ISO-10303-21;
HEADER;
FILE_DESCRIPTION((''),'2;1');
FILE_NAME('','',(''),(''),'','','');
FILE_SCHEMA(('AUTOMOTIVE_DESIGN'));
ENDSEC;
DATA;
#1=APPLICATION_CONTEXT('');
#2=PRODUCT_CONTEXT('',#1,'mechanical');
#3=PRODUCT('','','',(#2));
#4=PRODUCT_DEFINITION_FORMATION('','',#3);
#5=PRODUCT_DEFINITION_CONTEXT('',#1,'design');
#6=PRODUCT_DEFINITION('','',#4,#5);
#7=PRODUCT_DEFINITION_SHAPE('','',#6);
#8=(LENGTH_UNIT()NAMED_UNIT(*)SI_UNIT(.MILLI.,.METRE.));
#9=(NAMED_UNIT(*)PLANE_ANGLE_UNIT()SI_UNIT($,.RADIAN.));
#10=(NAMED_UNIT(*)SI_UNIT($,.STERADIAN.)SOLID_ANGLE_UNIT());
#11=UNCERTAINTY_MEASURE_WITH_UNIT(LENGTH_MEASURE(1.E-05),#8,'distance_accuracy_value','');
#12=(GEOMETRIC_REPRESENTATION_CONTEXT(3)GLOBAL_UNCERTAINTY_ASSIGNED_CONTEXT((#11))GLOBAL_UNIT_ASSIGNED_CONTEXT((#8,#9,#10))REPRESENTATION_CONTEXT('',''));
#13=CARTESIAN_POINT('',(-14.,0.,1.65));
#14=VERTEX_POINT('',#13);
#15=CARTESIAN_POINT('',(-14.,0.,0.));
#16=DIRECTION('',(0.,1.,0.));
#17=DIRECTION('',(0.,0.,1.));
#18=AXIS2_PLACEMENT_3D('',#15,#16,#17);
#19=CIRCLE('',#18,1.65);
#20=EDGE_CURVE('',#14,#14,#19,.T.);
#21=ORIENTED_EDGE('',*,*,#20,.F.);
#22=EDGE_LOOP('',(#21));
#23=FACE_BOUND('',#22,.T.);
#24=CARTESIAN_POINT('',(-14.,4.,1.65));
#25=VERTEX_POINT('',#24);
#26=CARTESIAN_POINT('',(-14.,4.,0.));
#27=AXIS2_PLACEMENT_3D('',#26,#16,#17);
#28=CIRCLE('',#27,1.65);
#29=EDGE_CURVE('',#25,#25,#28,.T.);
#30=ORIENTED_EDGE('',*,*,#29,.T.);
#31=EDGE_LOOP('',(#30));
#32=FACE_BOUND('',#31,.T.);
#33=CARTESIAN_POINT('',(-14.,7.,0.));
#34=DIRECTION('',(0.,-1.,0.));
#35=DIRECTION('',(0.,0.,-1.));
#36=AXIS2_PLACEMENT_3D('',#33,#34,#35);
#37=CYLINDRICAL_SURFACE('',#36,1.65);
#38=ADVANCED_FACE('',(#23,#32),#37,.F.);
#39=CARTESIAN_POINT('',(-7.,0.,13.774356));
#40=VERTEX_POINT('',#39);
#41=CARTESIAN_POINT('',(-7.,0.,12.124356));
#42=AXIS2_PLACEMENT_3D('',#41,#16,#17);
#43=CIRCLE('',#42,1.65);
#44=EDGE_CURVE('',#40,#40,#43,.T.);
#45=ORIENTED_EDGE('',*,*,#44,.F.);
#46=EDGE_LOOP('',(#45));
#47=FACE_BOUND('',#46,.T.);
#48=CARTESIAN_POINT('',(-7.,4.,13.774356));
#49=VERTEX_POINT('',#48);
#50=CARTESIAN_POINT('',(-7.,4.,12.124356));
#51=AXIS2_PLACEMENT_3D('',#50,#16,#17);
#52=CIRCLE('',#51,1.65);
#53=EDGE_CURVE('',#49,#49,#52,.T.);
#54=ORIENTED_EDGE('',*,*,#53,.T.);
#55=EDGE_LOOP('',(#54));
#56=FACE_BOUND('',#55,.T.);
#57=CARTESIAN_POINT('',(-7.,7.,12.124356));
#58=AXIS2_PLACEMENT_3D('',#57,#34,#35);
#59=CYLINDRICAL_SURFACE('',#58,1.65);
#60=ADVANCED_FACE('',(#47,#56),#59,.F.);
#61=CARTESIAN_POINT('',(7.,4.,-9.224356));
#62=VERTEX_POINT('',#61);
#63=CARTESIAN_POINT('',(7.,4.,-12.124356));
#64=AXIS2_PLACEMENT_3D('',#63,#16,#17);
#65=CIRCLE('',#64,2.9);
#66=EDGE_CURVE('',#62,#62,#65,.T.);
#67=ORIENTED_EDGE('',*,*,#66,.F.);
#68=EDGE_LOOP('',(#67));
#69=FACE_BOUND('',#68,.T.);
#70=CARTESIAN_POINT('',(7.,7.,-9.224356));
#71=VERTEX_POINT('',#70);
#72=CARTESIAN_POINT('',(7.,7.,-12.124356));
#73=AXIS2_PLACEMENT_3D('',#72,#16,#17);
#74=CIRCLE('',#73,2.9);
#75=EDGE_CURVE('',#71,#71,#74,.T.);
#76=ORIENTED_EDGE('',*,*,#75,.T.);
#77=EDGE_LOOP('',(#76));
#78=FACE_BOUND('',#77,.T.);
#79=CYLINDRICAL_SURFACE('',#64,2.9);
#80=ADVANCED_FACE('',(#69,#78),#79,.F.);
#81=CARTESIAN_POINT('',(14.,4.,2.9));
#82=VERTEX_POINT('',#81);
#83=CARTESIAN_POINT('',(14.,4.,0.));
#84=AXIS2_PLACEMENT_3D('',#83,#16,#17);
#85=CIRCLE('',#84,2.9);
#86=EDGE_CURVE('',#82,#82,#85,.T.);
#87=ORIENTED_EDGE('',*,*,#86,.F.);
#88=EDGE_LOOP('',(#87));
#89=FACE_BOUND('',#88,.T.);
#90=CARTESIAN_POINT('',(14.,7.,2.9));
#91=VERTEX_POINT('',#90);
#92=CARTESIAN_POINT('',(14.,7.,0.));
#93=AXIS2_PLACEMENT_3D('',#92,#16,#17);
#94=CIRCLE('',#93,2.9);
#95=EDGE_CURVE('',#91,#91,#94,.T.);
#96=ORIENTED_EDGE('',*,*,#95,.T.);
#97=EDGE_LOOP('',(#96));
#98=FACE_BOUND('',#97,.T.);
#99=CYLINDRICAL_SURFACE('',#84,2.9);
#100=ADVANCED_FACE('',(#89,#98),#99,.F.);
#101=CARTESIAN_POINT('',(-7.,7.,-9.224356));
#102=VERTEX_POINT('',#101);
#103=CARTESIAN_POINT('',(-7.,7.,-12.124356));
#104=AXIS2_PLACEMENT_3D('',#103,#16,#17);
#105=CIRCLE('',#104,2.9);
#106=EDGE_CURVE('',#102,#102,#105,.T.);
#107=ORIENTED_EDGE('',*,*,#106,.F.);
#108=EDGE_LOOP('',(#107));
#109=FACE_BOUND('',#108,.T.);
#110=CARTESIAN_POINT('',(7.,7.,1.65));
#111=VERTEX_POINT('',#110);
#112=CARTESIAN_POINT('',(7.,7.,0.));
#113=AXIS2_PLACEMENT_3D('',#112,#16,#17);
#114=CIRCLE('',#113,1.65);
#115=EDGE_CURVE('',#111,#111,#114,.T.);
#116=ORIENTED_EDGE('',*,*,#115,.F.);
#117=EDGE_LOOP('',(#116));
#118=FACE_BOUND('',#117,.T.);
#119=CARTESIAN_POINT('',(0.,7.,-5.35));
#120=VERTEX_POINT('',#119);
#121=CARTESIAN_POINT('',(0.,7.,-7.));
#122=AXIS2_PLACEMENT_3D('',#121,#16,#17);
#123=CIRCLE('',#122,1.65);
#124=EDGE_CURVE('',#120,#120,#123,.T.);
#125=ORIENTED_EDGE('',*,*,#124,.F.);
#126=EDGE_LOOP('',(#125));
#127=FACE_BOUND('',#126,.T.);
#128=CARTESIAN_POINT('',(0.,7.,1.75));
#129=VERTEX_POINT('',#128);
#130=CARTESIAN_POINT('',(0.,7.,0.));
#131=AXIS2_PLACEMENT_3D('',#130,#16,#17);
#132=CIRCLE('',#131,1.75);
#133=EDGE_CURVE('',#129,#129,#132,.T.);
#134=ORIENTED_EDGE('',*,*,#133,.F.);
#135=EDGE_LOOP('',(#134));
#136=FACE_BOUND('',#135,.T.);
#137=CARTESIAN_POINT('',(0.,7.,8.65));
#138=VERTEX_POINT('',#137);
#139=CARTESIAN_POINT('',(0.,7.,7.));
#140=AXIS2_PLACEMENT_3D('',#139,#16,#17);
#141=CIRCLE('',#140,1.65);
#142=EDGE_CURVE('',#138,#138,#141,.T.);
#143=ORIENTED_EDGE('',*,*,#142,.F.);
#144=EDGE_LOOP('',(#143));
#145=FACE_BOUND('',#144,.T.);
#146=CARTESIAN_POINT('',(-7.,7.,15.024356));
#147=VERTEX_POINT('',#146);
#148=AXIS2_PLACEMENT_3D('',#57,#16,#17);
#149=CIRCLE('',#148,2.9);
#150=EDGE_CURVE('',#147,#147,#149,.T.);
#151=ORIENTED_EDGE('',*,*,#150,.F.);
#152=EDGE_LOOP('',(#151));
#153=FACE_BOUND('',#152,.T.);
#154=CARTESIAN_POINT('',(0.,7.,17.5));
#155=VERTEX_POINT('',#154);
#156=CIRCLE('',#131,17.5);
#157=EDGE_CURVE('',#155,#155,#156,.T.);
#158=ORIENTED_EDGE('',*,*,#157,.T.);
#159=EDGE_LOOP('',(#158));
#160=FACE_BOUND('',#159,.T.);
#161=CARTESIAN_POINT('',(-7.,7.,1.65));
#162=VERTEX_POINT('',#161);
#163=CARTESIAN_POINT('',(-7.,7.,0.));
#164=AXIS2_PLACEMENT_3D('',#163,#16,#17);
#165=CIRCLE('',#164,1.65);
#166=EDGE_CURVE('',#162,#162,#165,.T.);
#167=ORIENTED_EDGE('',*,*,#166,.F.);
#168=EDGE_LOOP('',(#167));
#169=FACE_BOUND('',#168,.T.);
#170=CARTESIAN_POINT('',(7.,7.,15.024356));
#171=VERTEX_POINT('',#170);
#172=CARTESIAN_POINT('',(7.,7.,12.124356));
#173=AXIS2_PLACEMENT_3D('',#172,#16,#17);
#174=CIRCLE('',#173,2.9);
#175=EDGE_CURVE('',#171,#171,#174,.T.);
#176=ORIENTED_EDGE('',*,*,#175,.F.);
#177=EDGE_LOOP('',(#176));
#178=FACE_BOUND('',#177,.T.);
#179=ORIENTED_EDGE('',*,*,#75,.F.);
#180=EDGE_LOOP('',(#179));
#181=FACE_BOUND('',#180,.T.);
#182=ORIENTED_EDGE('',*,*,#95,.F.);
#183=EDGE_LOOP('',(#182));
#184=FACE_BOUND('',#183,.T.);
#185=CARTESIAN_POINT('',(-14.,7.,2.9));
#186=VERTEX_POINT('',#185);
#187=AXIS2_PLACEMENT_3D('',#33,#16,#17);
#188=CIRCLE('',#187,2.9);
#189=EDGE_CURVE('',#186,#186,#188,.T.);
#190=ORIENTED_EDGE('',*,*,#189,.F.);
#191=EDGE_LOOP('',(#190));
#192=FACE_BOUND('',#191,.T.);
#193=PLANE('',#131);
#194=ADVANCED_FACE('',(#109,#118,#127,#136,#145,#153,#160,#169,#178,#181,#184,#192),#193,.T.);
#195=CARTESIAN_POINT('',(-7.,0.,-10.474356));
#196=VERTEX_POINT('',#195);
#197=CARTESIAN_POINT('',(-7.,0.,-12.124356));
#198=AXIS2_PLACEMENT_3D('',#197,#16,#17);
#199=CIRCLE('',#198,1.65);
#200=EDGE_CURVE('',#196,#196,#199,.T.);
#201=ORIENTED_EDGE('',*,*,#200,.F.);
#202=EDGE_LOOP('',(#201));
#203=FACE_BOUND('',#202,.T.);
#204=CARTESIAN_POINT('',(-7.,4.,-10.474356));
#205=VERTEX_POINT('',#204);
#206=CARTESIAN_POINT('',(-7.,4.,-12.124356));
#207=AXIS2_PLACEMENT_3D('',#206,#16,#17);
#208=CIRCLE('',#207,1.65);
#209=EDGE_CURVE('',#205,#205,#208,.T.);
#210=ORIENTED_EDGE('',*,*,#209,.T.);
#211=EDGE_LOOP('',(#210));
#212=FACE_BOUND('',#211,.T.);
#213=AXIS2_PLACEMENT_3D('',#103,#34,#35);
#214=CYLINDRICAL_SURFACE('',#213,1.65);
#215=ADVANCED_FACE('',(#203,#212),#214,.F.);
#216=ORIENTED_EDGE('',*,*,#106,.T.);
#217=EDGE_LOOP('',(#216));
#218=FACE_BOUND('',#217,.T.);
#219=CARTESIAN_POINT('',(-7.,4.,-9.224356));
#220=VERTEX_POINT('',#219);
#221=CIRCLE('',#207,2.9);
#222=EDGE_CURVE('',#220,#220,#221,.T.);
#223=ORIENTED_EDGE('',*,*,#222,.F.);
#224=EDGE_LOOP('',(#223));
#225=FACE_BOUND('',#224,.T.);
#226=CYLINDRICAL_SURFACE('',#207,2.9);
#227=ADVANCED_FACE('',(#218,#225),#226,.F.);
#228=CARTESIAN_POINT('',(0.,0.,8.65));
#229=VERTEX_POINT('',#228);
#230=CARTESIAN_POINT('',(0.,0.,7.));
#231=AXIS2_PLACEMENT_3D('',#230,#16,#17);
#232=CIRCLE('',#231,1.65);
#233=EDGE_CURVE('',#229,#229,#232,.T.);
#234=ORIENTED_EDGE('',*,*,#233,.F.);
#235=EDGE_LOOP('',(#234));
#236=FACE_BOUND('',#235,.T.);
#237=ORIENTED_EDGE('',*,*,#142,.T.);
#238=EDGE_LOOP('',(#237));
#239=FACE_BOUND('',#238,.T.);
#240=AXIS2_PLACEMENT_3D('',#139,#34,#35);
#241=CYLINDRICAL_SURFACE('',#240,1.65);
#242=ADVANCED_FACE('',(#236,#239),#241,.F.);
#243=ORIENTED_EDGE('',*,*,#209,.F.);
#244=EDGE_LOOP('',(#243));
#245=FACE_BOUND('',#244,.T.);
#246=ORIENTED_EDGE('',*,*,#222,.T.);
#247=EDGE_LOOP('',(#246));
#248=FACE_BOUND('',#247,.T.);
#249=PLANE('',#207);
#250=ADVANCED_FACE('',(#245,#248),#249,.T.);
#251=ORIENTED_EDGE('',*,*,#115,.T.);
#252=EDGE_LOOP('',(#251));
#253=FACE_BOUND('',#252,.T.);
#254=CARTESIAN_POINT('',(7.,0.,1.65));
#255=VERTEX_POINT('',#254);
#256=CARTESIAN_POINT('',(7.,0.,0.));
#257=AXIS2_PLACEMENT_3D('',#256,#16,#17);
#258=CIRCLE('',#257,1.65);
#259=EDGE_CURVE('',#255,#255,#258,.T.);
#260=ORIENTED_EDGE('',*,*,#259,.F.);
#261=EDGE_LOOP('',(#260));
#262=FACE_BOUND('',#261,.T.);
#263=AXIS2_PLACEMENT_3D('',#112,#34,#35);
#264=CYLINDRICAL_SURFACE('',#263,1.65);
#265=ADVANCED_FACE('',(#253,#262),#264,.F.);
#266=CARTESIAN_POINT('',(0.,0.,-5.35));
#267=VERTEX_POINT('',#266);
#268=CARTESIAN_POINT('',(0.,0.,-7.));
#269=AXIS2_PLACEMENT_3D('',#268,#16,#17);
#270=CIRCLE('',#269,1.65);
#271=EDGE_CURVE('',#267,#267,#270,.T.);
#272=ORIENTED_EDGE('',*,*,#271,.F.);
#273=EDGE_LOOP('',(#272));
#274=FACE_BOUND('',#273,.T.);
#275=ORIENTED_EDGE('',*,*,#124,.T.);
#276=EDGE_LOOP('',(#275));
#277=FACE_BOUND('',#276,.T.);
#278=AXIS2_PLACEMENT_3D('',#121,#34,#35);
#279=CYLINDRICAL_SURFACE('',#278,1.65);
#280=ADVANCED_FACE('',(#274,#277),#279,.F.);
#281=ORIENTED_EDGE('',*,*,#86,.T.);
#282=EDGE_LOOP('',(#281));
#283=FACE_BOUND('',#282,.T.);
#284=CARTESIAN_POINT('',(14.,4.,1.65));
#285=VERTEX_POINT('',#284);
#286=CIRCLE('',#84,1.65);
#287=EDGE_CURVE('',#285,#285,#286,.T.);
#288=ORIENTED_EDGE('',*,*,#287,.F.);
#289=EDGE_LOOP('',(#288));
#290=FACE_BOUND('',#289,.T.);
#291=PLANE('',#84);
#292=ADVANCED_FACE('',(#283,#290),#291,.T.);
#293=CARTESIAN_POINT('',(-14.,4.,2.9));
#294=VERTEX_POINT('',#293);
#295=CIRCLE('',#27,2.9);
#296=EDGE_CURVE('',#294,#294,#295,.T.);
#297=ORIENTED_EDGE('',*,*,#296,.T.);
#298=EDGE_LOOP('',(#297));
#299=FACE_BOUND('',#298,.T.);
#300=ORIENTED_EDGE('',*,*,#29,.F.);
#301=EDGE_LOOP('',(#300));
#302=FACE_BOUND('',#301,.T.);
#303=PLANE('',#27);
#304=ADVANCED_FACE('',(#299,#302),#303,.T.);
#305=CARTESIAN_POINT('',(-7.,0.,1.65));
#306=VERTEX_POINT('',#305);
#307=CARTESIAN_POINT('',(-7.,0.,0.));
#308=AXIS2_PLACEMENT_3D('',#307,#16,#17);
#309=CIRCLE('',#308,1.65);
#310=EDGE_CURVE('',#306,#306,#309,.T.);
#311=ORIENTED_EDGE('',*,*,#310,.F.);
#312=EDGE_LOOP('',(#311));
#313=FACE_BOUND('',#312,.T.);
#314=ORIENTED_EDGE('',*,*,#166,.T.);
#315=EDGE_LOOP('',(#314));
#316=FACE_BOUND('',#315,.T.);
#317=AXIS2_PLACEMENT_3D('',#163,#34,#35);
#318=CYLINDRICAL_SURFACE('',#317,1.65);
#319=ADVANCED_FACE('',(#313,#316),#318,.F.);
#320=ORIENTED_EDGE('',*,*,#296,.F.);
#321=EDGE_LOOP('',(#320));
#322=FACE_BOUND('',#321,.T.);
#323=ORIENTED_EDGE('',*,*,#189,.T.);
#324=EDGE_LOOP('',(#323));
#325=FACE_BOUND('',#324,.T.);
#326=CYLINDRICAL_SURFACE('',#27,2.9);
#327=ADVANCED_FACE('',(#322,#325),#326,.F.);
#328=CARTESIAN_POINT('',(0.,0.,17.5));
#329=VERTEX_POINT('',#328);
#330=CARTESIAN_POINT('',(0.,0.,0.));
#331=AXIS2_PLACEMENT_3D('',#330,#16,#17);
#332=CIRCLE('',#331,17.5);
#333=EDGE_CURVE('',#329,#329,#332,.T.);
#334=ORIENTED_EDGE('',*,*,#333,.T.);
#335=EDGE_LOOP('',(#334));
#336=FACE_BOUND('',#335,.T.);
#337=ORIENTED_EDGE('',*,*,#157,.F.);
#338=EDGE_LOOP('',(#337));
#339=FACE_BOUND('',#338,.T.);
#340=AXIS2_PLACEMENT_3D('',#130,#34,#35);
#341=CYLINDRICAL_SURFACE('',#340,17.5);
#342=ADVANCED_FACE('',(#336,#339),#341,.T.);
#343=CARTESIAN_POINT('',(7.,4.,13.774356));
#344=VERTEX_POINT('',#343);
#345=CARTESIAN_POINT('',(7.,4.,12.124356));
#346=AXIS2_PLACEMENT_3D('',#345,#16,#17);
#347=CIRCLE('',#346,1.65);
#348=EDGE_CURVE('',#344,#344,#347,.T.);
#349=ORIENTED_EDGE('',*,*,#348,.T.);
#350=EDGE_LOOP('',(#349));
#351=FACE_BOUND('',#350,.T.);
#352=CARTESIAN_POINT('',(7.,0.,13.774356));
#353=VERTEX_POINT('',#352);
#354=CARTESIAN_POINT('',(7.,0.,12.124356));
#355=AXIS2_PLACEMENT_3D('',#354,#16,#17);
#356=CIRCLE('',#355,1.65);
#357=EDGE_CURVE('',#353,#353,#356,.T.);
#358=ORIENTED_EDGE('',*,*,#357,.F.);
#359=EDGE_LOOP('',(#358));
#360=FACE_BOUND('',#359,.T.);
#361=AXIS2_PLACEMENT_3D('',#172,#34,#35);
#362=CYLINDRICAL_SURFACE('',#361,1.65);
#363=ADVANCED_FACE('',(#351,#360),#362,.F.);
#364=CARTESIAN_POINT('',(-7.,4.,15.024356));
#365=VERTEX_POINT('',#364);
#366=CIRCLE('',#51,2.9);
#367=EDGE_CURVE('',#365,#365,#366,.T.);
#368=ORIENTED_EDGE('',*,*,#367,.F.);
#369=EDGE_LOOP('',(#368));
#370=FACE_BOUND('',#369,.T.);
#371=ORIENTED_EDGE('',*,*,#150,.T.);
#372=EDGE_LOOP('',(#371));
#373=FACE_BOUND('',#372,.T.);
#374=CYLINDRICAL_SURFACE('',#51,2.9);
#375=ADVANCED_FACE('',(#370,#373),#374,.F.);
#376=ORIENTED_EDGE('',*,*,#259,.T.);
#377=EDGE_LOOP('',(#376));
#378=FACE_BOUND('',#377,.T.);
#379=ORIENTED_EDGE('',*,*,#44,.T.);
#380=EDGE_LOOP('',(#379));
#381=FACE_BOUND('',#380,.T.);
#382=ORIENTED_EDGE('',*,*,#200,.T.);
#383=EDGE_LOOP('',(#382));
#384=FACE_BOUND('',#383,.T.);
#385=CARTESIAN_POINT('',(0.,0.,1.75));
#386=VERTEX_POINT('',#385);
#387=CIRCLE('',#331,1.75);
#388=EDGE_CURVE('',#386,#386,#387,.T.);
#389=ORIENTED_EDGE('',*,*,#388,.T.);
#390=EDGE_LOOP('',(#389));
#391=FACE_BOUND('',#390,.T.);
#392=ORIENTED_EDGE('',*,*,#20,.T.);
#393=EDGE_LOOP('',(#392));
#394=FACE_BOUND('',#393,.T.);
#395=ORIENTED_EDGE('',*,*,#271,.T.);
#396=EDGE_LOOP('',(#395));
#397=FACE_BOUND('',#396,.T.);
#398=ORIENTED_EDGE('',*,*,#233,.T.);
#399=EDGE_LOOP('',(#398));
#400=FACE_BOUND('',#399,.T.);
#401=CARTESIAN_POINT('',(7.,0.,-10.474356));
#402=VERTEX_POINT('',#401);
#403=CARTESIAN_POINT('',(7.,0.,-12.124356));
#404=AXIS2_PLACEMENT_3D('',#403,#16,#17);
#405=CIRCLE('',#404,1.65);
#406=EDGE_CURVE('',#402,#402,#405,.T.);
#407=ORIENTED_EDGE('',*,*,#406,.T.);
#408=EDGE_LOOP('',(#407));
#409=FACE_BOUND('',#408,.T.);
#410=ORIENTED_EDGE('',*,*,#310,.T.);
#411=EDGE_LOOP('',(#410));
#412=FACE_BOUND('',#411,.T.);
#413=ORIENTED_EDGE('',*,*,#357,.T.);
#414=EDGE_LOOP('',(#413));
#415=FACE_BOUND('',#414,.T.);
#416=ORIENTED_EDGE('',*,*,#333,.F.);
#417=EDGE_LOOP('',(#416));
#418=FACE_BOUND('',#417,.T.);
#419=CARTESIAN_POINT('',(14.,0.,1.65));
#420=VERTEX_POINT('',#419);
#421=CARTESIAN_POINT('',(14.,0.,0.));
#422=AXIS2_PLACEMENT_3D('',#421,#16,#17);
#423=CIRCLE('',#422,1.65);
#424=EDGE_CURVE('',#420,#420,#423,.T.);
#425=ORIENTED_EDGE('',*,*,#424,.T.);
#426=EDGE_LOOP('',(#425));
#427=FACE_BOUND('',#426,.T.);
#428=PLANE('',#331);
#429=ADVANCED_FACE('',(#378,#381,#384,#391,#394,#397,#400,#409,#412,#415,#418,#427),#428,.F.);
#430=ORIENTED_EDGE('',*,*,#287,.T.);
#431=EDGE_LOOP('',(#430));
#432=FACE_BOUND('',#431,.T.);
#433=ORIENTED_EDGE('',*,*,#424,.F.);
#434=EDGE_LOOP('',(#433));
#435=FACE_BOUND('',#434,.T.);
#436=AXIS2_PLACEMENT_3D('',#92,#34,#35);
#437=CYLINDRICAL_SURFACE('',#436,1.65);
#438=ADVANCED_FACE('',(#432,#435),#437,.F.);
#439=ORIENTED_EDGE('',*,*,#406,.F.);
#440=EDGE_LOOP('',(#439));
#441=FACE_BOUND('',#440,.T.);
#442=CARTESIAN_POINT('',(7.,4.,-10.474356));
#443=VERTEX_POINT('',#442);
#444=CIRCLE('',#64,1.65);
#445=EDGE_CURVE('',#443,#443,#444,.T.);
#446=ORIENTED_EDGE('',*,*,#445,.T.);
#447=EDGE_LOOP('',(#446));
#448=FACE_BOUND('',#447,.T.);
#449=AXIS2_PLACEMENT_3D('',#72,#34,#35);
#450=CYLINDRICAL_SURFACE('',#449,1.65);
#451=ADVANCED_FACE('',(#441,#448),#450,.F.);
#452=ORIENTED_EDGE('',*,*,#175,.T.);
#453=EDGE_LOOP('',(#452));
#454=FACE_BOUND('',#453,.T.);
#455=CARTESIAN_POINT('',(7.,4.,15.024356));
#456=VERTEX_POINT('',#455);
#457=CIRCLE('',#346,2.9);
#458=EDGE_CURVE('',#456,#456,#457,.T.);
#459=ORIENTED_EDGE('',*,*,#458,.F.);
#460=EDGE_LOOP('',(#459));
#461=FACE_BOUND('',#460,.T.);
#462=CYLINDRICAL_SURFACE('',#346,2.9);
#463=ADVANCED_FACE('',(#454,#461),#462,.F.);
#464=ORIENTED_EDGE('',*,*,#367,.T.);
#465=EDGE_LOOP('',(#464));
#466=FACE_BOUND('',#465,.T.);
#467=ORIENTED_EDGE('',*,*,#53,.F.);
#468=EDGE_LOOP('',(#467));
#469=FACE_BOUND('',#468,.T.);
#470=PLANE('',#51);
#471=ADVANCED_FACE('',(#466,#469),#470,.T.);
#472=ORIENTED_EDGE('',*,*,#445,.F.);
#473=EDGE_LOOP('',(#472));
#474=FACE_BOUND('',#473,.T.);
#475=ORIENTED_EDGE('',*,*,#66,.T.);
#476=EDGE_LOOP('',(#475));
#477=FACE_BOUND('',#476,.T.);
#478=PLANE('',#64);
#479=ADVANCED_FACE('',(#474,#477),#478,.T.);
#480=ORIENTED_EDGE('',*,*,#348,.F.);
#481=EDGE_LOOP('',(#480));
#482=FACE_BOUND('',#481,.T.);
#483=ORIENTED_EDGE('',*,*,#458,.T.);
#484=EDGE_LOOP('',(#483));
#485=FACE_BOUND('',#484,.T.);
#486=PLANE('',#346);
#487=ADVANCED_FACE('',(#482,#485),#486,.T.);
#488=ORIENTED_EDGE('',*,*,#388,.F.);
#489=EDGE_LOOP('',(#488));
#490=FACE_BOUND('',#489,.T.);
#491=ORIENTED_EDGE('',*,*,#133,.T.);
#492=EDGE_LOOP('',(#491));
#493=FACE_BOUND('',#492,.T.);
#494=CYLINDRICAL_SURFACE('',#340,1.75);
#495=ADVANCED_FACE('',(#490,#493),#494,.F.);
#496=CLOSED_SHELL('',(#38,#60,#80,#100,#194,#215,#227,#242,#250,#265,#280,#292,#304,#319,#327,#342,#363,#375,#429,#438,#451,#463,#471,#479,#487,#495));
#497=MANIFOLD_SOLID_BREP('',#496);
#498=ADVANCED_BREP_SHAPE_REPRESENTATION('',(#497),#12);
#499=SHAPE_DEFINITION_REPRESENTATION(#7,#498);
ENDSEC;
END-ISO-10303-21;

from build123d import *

# Parameters (mm, degrees)
SKETCH_1_R          = 17.5
SKETCH_1_R_2        = 1.65
SKETCH_1_R_3        = 1.75
EXTRUDE_1_DEPTH     = 7
SKETCH_2_R          = 2.9
CUT_EXTRUDE_1_DEPTH = 3


with BuildPart() as part:
    # 草图1 → 凸台-拉伸1 (new body)
    with BuildSketch(Plane(origin=(0, 0, 0), x_dir=(1, 0, 0), z_dir=(0, 1, 0))):
        with Locations(Location((0, 0, 0), (0, 0, 270))):
            Circle(SKETCH_1_R)
        with Locations(Location((-14, 0, 0), (0, 0, 270))):
            Circle(SKETCH_1_R_2, mode=Mode.SUBTRACT)
        with Locations(Location((-7, 12.124355653, 0), (0, 0, 270))):
            Circle(SKETCH_1_R_2, mode=Mode.SUBTRACT)
        with Locations(Location((7, 12.124355653, 0), (0, 0, 270))):
            Circle(SKETCH_1_R_2, mode=Mode.SUBTRACT)
        with Locations(Location((14, 0, 0), (0, 0, 270))):
            Circle(SKETCH_1_R_2, mode=Mode.SUBTRACT)
        with Locations(Location((7, -12.124355653, 0), (0, 0, 270))):
            Circle(SKETCH_1_R_2, mode=Mode.SUBTRACT)
        with Locations(Location((-7, -12.124355653, 0), (0, 0, 270))):
            Circle(SKETCH_1_R_2, mode=Mode.SUBTRACT)
        with Locations(Location((0, 0, 0), (0, 0, 270))):
            Circle(SKETCH_1_R_3, mode=Mode.SUBTRACT)
        with Locations(Location((7, 0, 0), (0, 0, 270))):
            Circle(SKETCH_1_R_2, mode=Mode.SUBTRACT)
        with Locations(Location((0, -7, 0), (0, 0, 270))):
            Circle(SKETCH_1_R_2, mode=Mode.SUBTRACT)
        with Locations(Location((-7, 0, 0), (0, 0, 270))):
            Circle(SKETCH_1_R_2, mode=Mode.SUBTRACT)
        with Locations(Location((0, 7, 0), (0, 0, 270))):
            Circle(SKETCH_1_R_2, mode=Mode.SUBTRACT)
    extrude(amount=EXTRUDE_1_DEPTH)

    # 草图2 → 切除-拉伸1 (cut)
    with BuildSketch(Plane(origin=(0, 7, 0), x_dir=(1, 0, 0), z_dir=(0, 1, 0))):
        with Locations(Location((-14, 0, 0), (0, 0, 270))):
            Circle(SKETCH_2_R)
        with Locations(Location((-7, 12.124355653, 0), (0, 0, 270))):
            Circle(SKETCH_2_R)
        with Locations(Location((7, 12.124355653, 0), (0, 0, 270))):
            Circle(SKETCH_2_R)
        with Locations(Location((14, 0, 0), (0, 0, 270))):
            Circle(SKETCH_2_R)
        with Locations(Location((7, -12.124355653, 0), (0, 0, 270))):
            Circle(SKETCH_2_R)
        with Locations(Location((-7, -12.124355653, 0), (0, 0, 270))):
            Circle(SKETCH_2_R)
    extrude(amount=-CUT_EXTRUDE_1_DEPTH, mode=Mode.SUBTRACT)


solid = part.part
